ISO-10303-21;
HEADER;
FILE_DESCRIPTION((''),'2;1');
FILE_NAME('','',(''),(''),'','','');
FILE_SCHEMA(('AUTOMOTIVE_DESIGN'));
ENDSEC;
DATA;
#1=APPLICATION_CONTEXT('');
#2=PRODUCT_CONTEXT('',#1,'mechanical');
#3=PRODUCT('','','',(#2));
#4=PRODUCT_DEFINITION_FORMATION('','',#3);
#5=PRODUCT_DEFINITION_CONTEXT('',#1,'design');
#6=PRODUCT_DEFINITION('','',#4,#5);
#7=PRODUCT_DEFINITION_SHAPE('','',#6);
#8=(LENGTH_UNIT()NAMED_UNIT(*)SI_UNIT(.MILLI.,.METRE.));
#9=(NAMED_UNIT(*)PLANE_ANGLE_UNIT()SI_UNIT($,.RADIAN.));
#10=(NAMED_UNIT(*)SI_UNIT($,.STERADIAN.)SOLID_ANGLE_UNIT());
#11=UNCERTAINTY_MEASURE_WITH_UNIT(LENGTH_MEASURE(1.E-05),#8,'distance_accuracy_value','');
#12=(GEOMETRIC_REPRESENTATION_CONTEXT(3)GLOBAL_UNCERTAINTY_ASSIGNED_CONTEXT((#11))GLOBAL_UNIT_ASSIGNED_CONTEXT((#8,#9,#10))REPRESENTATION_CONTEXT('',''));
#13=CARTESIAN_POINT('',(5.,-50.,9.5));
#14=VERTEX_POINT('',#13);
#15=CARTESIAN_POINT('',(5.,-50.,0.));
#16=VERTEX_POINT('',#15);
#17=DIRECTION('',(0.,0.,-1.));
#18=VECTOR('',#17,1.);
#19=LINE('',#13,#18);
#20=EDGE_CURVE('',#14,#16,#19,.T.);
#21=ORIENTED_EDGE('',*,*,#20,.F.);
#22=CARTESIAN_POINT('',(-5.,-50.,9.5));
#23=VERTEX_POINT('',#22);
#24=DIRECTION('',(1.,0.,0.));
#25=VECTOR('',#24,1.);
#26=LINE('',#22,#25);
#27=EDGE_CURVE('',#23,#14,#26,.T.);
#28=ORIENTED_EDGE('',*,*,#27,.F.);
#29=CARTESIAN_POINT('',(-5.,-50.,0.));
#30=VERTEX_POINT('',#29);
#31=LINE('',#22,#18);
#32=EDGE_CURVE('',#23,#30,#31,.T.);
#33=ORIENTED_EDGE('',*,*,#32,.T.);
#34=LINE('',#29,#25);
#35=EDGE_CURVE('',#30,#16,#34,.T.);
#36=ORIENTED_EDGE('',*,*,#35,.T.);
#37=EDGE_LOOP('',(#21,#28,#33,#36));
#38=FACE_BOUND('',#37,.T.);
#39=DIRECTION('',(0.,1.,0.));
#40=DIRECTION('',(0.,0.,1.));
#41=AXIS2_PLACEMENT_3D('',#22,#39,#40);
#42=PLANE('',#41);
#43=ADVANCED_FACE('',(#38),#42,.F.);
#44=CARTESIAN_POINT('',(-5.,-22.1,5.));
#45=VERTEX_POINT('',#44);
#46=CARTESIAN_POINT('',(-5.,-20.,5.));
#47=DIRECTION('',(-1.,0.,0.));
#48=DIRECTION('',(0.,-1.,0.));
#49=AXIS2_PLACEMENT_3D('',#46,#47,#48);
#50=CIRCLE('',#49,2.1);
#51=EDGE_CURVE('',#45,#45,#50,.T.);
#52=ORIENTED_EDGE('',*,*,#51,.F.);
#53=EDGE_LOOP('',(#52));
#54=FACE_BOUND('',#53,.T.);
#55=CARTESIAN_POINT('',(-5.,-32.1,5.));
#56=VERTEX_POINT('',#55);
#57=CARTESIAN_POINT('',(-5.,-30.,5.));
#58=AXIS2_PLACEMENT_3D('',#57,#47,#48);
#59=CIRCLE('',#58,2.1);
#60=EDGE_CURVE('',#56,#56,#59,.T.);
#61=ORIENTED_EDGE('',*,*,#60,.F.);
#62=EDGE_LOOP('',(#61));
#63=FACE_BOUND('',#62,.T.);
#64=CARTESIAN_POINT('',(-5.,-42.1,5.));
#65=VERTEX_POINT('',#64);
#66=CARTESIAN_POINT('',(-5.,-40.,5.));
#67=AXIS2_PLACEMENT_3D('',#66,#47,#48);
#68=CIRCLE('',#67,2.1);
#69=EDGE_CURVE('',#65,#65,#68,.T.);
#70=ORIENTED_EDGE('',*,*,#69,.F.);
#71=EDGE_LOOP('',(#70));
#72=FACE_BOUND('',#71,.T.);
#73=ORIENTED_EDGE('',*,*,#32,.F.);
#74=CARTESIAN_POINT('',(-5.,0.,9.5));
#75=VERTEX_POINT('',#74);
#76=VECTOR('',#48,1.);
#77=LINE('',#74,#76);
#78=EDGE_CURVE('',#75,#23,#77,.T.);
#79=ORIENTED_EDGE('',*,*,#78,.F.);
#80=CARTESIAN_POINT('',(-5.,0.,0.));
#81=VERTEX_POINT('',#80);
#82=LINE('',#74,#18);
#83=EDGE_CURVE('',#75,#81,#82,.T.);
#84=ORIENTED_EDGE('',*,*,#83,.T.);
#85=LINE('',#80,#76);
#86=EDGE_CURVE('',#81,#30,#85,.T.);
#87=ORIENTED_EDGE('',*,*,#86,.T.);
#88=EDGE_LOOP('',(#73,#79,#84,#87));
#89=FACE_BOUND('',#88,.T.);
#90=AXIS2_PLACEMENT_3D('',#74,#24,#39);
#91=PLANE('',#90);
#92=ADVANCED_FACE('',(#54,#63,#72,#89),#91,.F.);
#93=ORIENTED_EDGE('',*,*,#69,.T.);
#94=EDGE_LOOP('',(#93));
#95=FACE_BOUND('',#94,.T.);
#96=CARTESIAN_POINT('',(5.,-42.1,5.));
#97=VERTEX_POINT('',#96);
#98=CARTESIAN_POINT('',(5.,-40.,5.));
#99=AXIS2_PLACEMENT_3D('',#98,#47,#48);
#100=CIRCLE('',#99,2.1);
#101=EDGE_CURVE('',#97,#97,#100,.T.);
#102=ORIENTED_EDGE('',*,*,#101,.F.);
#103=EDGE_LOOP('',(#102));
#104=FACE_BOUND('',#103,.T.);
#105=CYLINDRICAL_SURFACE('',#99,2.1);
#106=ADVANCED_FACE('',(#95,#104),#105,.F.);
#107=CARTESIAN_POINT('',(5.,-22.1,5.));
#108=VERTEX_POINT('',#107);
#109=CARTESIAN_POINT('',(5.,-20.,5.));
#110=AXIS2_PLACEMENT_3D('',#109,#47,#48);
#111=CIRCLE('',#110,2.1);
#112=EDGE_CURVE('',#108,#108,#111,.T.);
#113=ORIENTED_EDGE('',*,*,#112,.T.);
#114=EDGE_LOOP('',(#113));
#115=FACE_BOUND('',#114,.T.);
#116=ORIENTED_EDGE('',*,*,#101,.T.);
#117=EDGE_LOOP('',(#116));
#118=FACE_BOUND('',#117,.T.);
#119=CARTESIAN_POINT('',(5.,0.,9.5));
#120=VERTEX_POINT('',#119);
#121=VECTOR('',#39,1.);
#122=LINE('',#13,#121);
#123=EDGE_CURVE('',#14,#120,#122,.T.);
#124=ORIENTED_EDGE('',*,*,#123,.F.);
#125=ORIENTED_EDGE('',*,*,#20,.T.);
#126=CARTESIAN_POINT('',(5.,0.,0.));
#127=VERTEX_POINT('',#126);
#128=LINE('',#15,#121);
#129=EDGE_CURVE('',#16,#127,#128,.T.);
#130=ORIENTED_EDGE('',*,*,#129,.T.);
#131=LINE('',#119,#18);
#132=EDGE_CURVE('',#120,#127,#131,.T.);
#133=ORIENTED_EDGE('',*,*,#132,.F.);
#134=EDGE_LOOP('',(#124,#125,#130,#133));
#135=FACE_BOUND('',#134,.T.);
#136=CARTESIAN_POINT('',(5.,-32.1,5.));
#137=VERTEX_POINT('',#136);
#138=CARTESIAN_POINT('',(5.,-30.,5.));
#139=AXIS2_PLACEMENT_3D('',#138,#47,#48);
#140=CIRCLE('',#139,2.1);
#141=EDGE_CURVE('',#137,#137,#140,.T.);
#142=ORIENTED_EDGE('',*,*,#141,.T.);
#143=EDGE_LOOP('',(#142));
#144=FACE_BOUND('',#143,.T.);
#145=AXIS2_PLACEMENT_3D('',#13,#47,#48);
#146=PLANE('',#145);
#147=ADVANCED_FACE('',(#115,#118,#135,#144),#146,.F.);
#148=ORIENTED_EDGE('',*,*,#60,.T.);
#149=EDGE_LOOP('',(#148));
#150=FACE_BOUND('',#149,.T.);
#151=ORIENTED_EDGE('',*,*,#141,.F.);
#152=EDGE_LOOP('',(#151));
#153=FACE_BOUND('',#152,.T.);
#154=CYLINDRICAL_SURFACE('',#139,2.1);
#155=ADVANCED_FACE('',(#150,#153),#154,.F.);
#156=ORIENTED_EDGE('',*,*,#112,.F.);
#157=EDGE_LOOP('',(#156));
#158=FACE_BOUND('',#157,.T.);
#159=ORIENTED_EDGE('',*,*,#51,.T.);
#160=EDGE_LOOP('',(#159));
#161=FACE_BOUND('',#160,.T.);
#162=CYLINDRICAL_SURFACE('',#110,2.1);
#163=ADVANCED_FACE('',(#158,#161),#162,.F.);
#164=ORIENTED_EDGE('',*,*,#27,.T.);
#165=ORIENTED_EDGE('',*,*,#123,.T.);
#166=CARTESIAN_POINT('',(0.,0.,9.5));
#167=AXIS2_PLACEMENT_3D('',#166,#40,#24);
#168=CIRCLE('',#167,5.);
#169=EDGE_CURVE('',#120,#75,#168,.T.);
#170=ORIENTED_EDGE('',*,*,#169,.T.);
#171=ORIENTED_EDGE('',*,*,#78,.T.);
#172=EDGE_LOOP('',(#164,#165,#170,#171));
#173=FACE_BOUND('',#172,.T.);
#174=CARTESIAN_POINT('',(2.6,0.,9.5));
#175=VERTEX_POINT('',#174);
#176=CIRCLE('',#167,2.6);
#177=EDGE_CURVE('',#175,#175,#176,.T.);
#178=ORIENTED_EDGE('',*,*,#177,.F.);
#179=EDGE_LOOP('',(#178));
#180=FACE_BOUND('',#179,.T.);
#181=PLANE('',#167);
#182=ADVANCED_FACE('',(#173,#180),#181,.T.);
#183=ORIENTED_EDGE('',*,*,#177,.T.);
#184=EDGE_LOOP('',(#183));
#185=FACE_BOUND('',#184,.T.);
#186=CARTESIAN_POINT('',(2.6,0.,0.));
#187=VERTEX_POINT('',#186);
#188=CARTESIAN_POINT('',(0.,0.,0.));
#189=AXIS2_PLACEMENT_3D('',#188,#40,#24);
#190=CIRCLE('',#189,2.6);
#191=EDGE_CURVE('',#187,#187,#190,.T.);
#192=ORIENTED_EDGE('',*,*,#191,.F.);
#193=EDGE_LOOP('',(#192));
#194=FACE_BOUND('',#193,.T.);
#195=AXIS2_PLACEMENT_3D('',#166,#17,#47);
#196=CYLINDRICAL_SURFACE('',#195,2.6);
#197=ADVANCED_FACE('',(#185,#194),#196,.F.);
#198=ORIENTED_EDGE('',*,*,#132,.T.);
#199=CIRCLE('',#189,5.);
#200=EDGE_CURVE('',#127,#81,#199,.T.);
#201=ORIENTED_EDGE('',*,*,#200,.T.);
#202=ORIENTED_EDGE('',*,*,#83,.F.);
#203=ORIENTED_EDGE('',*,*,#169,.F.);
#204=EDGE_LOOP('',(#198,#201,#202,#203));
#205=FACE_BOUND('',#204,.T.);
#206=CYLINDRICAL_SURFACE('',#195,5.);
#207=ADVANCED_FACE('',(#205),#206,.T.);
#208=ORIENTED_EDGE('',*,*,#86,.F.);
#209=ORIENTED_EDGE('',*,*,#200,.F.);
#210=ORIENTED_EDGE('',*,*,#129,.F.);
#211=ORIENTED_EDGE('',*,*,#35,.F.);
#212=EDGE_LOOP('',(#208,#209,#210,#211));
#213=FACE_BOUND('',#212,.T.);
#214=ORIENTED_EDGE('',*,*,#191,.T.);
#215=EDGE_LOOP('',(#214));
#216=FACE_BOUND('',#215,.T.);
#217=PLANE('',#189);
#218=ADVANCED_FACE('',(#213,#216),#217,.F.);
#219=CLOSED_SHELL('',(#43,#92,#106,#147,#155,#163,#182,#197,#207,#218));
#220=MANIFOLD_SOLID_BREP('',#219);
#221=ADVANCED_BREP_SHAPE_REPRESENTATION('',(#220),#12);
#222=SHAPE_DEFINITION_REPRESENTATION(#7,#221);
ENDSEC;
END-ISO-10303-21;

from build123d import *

# Parameters (mm, degrees)
SKETCH_1_R          = 2.6
EXTRUDE_1_DEPTH     = 9.5
SKETCH_2_R          = 2.1
CUT_EXTRUDE_1_DEPTH = 10


with BuildPart() as part:
    # 草图1 → 凸台-拉伸1 (new body)
    with BuildSketch(Plane.XY):
        with BuildLine():
            Line((-5, 0), (-5, -50))
            Line((-5, -50), (5, -50))
            Line((5, -50), (5, 0))
            ThreePointArc((5, 0), (0, 5), (-5, 0))
        make_face()
        Circle(SKETCH_1_R, mode=Mode.SUBTRACT)
    extrude(amount=EXTRUDE_1_DEPTH)

    # 草图2 → 切除-拉伸1 (cut)
    with BuildSketch(Plane.ZY.offset(5)):
        with Locations(Location((5, -20, 0), (0, 0, 270))):
            Circle(SKETCH_2_R)
        with Locations(Location((5, -30, 0), (0, 0, 270))):
            Circle(SKETCH_2_R)
        with Locations(Location((5, -40, 0), (0, 0, 270))):
            Circle(SKETCH_2_R)
    extrude(amount=-CUT_EXTRUDE_1_DEPTH, mode=Mode.SUBTRACT)


solid = part.part
